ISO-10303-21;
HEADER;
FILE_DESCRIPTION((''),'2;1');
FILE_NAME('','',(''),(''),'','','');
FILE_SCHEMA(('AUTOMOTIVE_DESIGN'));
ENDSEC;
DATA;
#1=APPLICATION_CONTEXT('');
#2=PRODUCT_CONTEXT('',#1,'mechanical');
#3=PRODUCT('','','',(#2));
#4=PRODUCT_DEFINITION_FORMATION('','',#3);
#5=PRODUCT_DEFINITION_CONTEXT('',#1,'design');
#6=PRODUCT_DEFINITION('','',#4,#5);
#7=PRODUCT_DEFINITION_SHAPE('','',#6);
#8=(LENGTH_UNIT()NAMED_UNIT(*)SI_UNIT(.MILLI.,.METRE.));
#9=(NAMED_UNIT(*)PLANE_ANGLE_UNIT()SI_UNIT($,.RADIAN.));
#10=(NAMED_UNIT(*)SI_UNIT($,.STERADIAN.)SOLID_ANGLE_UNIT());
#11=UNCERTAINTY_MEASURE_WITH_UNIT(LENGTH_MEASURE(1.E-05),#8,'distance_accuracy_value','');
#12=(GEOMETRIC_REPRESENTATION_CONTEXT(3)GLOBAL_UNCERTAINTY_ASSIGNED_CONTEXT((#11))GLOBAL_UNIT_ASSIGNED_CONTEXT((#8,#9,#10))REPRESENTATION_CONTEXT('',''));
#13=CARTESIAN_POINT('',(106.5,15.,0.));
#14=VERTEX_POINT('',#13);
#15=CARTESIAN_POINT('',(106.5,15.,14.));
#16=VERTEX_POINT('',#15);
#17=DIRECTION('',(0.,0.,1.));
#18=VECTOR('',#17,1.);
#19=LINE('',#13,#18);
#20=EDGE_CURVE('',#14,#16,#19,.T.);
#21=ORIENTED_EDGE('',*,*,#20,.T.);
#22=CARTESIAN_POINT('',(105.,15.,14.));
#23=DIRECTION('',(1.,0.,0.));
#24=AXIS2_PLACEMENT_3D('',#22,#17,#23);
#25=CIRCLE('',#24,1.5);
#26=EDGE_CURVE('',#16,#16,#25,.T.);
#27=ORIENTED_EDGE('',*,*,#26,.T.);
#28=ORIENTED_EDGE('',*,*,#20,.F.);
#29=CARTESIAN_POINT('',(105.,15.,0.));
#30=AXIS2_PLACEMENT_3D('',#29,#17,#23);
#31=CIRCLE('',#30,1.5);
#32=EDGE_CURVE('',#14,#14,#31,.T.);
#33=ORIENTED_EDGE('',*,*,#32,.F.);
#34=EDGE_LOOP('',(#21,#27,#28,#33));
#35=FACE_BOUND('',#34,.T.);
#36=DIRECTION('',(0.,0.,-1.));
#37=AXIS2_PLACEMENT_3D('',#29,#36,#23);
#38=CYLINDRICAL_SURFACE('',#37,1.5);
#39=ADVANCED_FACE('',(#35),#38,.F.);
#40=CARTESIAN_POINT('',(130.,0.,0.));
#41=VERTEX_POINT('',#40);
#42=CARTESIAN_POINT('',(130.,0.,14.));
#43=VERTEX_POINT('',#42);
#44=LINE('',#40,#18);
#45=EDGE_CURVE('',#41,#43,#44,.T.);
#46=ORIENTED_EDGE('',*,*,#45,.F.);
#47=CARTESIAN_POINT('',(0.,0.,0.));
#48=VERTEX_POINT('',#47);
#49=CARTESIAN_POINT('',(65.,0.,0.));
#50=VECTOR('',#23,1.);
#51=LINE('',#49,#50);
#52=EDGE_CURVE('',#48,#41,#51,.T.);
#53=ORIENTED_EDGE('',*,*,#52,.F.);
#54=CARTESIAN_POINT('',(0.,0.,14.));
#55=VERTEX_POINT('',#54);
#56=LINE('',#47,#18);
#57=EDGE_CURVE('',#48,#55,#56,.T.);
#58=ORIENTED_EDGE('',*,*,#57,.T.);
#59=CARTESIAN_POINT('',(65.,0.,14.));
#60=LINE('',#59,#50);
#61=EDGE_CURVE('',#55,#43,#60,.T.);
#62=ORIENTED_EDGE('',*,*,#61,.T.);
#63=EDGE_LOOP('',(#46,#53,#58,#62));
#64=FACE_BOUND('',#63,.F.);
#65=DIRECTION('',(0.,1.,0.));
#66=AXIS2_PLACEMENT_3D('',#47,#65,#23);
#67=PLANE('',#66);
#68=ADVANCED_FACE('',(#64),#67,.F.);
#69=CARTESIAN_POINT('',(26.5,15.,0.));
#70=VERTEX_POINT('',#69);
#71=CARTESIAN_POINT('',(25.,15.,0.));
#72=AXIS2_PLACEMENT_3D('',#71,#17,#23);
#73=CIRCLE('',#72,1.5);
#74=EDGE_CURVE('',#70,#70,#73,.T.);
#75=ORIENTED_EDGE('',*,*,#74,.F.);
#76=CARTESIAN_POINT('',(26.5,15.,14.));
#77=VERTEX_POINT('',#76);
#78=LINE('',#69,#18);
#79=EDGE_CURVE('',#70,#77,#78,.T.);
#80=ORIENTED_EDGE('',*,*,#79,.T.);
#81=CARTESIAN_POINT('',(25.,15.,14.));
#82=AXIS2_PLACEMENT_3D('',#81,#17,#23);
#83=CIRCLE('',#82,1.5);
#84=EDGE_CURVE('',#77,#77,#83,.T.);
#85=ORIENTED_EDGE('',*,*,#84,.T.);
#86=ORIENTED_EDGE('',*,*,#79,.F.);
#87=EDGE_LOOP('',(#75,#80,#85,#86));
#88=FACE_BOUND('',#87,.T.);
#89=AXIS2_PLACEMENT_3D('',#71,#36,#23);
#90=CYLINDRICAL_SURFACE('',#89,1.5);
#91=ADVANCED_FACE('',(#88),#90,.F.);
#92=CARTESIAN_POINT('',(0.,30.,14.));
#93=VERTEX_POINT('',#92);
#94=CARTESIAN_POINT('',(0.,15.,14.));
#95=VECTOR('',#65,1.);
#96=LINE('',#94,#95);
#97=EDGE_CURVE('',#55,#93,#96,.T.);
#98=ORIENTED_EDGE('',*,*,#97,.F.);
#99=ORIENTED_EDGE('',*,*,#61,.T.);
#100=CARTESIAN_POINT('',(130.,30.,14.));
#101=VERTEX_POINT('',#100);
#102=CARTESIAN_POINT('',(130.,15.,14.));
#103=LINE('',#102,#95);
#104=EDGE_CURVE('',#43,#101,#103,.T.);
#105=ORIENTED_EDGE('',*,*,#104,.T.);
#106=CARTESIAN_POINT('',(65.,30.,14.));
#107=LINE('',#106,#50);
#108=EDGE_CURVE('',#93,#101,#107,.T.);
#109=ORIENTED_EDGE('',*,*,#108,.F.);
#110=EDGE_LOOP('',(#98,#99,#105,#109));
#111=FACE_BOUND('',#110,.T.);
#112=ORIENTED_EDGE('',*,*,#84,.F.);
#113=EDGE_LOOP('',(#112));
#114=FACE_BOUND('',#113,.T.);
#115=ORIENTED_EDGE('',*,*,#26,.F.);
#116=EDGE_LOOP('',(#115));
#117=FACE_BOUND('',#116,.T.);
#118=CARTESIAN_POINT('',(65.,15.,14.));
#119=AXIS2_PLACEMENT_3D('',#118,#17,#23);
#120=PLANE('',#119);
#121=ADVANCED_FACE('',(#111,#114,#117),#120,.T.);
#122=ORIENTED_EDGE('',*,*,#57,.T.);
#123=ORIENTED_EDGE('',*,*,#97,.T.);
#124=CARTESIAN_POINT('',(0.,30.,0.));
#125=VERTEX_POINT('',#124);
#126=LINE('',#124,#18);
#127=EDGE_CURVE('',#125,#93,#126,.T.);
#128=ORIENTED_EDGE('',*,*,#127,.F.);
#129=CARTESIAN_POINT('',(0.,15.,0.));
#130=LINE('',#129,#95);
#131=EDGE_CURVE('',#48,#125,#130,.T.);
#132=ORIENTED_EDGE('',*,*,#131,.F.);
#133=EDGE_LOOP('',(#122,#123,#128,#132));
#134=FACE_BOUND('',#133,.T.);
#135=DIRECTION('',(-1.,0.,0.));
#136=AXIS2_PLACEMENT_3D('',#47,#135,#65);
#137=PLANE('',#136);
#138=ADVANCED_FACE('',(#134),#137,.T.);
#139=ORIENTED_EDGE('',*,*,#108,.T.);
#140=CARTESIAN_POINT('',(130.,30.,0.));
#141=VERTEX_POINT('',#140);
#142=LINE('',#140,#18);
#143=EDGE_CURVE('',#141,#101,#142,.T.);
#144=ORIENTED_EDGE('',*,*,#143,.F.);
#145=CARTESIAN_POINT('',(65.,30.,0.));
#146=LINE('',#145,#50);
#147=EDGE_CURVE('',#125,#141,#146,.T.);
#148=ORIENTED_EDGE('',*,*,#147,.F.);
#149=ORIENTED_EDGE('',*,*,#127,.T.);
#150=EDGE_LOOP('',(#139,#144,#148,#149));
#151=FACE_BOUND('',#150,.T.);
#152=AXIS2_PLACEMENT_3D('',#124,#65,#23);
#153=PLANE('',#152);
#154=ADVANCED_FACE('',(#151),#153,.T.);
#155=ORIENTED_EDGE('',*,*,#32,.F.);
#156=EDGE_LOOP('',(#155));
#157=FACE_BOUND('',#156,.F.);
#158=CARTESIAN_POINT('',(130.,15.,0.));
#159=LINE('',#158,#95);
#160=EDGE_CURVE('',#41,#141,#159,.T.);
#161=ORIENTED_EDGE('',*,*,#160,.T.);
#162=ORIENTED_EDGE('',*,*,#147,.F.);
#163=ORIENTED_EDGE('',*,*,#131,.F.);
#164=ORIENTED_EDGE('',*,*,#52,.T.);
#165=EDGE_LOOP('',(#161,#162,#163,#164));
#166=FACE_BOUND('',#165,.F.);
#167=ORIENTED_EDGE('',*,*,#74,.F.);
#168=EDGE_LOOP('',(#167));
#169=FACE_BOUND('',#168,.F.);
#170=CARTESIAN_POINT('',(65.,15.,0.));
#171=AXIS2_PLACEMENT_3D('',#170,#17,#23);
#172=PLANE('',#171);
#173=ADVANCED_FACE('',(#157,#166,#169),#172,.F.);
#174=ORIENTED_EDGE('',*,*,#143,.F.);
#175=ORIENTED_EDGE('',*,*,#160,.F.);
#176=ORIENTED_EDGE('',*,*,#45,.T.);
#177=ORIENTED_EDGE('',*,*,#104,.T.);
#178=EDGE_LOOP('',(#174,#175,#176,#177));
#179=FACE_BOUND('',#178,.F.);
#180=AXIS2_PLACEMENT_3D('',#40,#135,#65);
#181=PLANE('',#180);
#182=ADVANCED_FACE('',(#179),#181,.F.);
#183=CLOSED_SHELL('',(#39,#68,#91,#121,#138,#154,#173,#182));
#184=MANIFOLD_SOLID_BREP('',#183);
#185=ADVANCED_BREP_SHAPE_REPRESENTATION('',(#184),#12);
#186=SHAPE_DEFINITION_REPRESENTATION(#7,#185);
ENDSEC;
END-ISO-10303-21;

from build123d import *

# Parameters (mm, degrees)
SKETCH_W  = 130
SKETCH_H  = 30
SKETCH_R  = 1.5
PAD_DEPTH = 14


with BuildPart() as part:
    # Sketch → Pad (new body)
    with BuildSketch(Plane.XY):
        with Locations((65, 15)):
            Rectangle(SKETCH_W, SKETCH_H)
        with Locations((25, 15)):
            Circle(SKETCH_R, mode=Mode.SUBTRACT)
        with Locations((105, 15)):
            Circle(SKETCH_R, mode=Mode.SUBTRACT)
    extrude(amount=PAD_DEPTH)


solid = part.part
